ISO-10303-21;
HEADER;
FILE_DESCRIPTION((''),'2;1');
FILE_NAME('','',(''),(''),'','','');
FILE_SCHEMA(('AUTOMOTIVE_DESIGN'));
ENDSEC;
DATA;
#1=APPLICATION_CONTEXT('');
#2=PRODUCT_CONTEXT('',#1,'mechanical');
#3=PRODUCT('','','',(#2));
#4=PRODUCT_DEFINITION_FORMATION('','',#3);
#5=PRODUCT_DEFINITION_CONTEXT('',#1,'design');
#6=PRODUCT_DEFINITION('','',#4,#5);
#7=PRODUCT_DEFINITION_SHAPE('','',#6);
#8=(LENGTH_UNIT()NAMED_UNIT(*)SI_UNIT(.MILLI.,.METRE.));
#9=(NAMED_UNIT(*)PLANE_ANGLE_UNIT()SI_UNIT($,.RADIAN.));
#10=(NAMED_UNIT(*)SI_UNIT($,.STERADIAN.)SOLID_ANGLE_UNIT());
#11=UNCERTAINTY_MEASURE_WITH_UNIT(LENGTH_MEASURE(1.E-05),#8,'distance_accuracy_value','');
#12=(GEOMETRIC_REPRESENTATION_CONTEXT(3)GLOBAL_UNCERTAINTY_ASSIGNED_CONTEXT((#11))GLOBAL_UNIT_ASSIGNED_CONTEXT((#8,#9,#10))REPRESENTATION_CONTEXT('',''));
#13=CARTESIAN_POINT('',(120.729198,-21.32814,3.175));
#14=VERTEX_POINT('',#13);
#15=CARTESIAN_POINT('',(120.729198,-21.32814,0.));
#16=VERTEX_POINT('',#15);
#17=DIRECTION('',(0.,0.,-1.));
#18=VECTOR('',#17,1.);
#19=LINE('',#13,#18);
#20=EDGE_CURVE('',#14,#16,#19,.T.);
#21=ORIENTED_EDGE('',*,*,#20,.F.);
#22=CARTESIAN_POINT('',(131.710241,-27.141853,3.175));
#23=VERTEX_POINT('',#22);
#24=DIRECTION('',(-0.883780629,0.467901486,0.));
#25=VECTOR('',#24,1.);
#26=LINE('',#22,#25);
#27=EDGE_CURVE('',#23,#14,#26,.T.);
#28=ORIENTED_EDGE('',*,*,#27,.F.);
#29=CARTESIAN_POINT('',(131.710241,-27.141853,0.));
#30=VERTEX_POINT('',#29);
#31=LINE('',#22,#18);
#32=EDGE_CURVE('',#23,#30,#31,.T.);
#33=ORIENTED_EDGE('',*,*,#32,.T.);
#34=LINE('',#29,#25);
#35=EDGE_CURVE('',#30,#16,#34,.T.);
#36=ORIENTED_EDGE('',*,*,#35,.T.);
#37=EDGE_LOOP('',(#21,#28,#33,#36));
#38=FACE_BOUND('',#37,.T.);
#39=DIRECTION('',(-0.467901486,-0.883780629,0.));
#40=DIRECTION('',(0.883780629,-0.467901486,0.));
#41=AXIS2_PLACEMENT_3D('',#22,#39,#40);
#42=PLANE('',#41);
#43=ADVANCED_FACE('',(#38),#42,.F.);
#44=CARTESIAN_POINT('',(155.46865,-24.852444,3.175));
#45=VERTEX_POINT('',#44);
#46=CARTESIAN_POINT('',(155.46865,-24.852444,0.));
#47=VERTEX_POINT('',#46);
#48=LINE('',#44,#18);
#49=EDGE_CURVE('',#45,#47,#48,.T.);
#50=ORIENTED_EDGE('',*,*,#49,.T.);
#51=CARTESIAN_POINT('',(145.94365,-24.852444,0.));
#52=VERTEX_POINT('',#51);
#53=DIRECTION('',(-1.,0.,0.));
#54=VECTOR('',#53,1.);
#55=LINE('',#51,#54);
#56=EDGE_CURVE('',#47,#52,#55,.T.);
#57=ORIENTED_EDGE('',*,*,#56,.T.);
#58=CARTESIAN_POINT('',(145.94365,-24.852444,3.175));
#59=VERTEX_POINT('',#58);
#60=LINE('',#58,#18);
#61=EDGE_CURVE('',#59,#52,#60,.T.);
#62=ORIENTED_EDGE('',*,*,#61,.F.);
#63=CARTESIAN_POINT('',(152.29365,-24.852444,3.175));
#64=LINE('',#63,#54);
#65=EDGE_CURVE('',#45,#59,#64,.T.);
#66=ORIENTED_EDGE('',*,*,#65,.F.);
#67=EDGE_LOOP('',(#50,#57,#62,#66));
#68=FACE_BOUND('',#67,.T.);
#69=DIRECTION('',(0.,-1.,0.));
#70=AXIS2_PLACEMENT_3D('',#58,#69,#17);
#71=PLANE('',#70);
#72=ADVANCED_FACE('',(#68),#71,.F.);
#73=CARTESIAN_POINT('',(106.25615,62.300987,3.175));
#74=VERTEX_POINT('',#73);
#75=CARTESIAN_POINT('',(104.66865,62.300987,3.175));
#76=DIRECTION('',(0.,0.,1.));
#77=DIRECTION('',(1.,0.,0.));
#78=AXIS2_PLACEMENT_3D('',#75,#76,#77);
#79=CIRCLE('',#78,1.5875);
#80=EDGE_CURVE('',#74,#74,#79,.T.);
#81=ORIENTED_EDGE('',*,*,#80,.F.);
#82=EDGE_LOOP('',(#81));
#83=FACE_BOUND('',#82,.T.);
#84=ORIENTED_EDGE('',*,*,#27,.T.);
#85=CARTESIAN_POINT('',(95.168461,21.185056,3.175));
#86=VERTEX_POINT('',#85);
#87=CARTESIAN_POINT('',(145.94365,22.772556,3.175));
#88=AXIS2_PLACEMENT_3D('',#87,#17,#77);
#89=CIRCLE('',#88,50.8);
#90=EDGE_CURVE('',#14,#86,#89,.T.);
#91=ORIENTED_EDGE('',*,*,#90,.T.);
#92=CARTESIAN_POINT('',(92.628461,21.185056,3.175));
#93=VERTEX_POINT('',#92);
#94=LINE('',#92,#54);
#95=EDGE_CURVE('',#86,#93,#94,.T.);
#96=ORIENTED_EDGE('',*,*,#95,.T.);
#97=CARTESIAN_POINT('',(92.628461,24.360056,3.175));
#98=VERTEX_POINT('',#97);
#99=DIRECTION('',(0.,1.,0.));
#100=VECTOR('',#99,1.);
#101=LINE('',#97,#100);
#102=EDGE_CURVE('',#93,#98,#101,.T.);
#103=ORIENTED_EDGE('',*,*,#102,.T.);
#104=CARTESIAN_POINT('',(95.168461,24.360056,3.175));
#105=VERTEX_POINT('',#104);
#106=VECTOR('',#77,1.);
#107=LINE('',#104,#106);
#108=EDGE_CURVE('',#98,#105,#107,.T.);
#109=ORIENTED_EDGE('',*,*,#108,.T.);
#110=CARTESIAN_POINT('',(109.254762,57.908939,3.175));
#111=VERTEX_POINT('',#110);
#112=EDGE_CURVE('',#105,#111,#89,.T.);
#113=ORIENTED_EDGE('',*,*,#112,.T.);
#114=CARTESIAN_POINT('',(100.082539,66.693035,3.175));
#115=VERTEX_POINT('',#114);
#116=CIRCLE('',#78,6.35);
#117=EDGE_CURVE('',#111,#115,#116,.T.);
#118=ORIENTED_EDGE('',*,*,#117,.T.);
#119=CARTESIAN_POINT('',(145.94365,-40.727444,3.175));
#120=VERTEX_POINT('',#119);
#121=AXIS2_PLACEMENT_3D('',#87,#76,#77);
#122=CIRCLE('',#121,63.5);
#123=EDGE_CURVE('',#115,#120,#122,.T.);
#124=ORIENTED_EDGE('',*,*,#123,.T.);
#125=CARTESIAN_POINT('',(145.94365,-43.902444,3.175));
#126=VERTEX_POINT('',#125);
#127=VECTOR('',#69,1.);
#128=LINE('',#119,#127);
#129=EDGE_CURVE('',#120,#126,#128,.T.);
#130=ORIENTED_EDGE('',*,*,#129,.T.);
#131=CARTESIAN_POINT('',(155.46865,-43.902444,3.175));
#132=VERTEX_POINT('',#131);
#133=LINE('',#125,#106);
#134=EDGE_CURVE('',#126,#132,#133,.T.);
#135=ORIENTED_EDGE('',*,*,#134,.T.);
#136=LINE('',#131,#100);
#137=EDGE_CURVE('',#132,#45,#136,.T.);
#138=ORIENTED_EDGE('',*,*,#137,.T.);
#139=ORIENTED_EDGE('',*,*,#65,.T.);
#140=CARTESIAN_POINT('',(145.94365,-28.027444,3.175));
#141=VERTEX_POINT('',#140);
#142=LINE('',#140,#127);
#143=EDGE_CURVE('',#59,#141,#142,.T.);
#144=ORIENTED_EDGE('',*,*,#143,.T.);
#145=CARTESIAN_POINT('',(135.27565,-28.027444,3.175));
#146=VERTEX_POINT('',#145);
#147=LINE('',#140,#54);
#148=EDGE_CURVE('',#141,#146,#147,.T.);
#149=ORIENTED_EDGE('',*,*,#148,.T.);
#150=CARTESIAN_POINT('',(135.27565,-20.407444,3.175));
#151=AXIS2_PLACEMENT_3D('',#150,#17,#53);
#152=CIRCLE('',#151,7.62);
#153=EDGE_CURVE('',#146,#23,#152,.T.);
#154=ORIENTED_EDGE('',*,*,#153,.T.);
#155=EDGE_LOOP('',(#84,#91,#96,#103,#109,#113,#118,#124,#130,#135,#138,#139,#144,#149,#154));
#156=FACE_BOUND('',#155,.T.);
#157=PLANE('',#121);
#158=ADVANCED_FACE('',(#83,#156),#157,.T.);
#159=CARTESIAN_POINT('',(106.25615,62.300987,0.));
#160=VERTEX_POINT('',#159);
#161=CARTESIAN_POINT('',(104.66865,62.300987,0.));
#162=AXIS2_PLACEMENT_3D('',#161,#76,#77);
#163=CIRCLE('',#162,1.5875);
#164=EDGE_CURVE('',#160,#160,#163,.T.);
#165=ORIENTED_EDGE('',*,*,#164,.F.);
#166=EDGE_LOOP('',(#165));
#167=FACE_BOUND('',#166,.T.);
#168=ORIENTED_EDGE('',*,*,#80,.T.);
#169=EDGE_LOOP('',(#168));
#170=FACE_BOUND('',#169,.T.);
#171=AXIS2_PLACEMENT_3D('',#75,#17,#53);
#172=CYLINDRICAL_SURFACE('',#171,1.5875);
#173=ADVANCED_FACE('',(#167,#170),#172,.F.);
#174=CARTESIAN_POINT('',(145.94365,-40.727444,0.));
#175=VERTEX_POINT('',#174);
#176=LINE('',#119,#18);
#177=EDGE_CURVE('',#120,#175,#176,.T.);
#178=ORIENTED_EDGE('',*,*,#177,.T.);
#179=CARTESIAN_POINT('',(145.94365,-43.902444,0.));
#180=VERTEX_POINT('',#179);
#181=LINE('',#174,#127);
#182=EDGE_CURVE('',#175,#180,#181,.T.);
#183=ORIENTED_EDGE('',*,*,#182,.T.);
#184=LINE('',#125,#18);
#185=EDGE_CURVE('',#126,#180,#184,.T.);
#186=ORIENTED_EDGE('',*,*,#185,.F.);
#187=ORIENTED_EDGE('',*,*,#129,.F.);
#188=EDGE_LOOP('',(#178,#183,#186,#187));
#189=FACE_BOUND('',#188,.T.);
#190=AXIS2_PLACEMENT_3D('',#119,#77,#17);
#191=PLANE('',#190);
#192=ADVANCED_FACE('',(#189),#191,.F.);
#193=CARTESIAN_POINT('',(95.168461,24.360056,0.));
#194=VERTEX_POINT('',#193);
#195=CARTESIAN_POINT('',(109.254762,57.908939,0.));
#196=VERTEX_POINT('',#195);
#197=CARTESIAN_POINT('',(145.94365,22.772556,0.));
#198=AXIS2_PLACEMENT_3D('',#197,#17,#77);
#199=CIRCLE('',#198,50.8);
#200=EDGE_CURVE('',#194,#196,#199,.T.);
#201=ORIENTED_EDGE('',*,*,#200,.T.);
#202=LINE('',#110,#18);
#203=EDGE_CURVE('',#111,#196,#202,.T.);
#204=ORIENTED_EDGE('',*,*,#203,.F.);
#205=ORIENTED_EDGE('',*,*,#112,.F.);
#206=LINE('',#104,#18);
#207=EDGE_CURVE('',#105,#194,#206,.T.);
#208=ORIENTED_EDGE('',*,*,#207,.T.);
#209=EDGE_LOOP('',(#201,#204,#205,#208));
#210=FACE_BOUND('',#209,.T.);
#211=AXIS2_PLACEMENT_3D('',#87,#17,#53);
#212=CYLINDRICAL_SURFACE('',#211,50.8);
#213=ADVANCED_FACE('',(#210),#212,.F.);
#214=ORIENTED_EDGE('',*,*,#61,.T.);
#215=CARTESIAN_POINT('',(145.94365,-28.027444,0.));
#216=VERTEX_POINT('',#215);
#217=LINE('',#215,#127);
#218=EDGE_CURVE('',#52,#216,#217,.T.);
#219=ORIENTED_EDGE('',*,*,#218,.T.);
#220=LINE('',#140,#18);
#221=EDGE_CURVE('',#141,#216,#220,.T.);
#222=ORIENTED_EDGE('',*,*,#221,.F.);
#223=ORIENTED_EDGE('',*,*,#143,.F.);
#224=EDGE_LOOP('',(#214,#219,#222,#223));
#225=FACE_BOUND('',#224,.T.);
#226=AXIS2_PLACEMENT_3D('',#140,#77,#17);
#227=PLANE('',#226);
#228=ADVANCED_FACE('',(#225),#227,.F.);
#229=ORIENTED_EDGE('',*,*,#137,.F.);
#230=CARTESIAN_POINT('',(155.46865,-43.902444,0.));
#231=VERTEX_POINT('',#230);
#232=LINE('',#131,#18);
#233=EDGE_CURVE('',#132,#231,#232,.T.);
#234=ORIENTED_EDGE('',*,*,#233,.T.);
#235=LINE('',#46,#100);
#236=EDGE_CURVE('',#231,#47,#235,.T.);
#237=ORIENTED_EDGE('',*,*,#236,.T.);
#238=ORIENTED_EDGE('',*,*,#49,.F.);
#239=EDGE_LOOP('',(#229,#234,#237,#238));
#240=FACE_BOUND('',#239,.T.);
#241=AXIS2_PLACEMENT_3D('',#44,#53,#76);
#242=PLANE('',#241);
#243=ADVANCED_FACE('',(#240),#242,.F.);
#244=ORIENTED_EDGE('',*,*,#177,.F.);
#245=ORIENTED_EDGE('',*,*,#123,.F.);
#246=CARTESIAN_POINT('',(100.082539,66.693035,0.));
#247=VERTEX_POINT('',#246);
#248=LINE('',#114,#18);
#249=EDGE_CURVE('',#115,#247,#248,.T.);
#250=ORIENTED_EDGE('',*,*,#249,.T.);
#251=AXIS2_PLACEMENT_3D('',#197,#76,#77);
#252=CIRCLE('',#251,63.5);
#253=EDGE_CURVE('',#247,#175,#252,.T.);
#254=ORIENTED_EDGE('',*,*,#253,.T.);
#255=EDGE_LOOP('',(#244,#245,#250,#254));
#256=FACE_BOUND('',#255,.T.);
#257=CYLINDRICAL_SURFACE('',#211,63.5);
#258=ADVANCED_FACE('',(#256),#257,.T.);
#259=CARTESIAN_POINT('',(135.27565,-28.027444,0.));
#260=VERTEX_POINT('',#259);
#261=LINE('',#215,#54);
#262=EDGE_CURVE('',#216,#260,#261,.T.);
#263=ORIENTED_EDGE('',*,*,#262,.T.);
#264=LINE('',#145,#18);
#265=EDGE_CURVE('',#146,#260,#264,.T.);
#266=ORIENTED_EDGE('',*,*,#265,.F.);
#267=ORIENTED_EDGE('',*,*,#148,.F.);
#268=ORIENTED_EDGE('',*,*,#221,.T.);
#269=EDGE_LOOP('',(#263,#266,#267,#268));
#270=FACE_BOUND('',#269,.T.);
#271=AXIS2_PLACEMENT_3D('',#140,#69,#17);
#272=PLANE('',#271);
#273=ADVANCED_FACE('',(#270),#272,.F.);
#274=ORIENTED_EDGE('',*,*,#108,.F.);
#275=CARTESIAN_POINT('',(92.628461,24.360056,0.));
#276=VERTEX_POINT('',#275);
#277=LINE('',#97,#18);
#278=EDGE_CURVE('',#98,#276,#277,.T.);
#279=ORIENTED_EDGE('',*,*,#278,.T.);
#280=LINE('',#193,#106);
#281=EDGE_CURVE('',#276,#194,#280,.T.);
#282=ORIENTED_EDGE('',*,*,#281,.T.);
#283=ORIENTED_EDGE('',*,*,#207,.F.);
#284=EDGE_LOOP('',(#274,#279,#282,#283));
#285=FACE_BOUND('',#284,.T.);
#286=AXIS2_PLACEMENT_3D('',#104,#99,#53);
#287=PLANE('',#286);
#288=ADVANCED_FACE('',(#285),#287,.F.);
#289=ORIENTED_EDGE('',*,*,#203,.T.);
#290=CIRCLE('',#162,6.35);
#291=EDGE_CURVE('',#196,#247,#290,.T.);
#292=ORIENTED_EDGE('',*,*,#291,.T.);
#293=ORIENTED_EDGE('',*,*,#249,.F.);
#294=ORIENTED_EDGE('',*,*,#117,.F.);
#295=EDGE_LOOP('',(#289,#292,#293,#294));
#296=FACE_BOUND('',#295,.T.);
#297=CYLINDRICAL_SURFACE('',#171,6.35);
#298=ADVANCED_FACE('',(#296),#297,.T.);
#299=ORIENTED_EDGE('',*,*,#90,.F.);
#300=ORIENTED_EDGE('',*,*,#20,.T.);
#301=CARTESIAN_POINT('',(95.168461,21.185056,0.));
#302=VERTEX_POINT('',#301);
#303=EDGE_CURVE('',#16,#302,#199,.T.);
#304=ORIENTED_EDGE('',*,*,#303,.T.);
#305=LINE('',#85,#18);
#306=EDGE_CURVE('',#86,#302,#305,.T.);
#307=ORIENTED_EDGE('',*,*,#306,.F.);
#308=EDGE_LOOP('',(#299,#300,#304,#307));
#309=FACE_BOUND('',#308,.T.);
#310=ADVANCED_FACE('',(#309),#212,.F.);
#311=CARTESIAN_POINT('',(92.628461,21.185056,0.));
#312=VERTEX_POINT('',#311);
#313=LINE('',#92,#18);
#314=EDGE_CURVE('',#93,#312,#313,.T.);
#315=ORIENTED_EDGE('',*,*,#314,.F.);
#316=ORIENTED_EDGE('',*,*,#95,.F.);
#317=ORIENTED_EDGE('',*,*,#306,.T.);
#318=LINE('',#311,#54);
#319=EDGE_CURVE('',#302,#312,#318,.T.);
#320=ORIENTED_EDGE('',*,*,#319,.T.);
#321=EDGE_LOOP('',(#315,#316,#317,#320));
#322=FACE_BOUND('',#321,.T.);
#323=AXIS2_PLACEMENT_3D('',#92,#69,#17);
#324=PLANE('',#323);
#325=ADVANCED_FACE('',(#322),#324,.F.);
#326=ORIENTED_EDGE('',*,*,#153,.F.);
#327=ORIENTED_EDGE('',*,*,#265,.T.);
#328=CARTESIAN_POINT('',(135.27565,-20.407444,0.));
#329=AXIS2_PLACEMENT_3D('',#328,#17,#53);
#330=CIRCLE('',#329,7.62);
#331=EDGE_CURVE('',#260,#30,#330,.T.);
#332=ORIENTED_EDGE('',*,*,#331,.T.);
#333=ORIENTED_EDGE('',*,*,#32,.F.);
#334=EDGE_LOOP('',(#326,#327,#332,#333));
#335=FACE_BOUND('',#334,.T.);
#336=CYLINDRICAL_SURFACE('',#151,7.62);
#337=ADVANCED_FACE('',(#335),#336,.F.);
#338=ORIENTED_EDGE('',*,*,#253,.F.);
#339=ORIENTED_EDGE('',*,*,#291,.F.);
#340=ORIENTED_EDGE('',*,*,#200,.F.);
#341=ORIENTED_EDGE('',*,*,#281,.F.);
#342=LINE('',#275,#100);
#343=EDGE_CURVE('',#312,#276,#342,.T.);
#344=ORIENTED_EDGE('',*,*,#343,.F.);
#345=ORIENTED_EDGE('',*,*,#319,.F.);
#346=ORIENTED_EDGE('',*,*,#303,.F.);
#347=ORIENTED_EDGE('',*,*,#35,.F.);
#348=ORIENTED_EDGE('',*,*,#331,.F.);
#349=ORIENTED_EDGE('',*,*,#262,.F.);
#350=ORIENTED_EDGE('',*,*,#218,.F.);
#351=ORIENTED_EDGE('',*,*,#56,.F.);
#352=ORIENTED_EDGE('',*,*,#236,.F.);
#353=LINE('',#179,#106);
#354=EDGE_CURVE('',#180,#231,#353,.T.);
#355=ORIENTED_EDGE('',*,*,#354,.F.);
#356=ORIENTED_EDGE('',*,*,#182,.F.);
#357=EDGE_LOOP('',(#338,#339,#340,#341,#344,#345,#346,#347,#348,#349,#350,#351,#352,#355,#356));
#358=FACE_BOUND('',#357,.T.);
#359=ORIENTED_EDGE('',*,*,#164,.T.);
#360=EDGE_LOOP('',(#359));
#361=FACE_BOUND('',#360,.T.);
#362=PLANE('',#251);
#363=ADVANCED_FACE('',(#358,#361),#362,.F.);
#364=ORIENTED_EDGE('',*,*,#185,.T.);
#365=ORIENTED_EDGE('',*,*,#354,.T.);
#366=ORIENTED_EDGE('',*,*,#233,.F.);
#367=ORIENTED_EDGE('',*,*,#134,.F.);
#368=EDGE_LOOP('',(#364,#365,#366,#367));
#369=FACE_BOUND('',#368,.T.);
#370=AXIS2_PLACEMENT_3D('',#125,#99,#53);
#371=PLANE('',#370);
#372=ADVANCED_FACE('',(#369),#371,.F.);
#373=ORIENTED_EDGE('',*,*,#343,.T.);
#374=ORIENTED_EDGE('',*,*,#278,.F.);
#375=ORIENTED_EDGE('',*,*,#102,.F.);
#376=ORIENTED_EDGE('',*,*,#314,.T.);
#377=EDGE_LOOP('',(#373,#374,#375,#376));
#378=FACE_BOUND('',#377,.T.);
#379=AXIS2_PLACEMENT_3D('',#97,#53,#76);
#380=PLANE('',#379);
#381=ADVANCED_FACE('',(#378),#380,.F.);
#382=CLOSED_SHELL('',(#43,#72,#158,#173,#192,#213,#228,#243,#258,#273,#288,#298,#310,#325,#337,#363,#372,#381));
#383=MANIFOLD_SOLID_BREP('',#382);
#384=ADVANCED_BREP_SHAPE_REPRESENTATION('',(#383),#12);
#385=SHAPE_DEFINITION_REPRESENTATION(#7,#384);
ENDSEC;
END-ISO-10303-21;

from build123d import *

# Parameters (mm, degrees)
SKETCH1_R           = 1.5875
BOSS_EXTRUDE1_DEPTH = 3.175


with BuildPart() as part:
    # Sketch1 → Boss-Extrude1 (new body)
    with BuildSketch(Plane.XY):
        with BuildLine():
            Line((145.943650407, -28.027444193), (145.943650407, -24.852444193))
            Line((145.943650407, -24.852444193), (152.293650407, -24.852444193))
            Line((152.293650407, -24.852444193), (155.468650407, -24.852444193))
            Line((155.468650407, -24.852444193), (155.468650407, -28.027444193))
            Line((155.468650407, -28.027444193), (155.468650407, -40.727444193))
            Line((155.468650407, -40.727444193), (155.468650407, -43.902444193))
            Line((155.468650407, -43.902444193), (145.943650407, -43.902444193))
            Line((145.943650407, -43.902444193), (145.943650407, -40.727444193))
            ThreePointArc((145.943650407, -40.727444193), (87.543306121, -2.160349908), (100.082539295, 66.693034944))
            ThreePointArc((100.082539295, 66.693034944), (109.06069832, 66.887098142), (109.254761518, 57.908939117))
            ThreePointArc((109.254761518, 57.908939117), (99.104850954, 42.438945049), (95.168461153, 24.360055807))
            Line((95.168461153, 24.360055807), (92.628461153, 24.360055807))
            Line((92.628461153, 24.360055807), (92.628461153, 21.185055807))
            Line((92.628461153, 21.185055807), (95.168461153, 21.185055807))
            ThreePointArc((95.168461153, 21.185055807), (95.286372211, 18.967274494), (95.501106091, 16.756766333))
            ThreePointArc((95.501106091, 16.756766333), (103.592613564, -5.281493426), (120.729197754, -21.328140077))
            Line((120.729197754, -21.328140077), (131.710241083, -27.141852582))
            ThreePointArc((131.710241083, -27.141852582), (133.438776966, -27.802732961), (135.275650407, -28.027444193))
            Line((135.275650407, -28.027444193), (145.943650407, -28.027444193))
        make_face()
        with Locations((104.668650407, 62.300987031)):
            Circle(SKETCH1_R, mode=Mode.SUBTRACT)
    extrude(amount=BOSS_EXTRUDE1_DEPTH)


solid = part.part
